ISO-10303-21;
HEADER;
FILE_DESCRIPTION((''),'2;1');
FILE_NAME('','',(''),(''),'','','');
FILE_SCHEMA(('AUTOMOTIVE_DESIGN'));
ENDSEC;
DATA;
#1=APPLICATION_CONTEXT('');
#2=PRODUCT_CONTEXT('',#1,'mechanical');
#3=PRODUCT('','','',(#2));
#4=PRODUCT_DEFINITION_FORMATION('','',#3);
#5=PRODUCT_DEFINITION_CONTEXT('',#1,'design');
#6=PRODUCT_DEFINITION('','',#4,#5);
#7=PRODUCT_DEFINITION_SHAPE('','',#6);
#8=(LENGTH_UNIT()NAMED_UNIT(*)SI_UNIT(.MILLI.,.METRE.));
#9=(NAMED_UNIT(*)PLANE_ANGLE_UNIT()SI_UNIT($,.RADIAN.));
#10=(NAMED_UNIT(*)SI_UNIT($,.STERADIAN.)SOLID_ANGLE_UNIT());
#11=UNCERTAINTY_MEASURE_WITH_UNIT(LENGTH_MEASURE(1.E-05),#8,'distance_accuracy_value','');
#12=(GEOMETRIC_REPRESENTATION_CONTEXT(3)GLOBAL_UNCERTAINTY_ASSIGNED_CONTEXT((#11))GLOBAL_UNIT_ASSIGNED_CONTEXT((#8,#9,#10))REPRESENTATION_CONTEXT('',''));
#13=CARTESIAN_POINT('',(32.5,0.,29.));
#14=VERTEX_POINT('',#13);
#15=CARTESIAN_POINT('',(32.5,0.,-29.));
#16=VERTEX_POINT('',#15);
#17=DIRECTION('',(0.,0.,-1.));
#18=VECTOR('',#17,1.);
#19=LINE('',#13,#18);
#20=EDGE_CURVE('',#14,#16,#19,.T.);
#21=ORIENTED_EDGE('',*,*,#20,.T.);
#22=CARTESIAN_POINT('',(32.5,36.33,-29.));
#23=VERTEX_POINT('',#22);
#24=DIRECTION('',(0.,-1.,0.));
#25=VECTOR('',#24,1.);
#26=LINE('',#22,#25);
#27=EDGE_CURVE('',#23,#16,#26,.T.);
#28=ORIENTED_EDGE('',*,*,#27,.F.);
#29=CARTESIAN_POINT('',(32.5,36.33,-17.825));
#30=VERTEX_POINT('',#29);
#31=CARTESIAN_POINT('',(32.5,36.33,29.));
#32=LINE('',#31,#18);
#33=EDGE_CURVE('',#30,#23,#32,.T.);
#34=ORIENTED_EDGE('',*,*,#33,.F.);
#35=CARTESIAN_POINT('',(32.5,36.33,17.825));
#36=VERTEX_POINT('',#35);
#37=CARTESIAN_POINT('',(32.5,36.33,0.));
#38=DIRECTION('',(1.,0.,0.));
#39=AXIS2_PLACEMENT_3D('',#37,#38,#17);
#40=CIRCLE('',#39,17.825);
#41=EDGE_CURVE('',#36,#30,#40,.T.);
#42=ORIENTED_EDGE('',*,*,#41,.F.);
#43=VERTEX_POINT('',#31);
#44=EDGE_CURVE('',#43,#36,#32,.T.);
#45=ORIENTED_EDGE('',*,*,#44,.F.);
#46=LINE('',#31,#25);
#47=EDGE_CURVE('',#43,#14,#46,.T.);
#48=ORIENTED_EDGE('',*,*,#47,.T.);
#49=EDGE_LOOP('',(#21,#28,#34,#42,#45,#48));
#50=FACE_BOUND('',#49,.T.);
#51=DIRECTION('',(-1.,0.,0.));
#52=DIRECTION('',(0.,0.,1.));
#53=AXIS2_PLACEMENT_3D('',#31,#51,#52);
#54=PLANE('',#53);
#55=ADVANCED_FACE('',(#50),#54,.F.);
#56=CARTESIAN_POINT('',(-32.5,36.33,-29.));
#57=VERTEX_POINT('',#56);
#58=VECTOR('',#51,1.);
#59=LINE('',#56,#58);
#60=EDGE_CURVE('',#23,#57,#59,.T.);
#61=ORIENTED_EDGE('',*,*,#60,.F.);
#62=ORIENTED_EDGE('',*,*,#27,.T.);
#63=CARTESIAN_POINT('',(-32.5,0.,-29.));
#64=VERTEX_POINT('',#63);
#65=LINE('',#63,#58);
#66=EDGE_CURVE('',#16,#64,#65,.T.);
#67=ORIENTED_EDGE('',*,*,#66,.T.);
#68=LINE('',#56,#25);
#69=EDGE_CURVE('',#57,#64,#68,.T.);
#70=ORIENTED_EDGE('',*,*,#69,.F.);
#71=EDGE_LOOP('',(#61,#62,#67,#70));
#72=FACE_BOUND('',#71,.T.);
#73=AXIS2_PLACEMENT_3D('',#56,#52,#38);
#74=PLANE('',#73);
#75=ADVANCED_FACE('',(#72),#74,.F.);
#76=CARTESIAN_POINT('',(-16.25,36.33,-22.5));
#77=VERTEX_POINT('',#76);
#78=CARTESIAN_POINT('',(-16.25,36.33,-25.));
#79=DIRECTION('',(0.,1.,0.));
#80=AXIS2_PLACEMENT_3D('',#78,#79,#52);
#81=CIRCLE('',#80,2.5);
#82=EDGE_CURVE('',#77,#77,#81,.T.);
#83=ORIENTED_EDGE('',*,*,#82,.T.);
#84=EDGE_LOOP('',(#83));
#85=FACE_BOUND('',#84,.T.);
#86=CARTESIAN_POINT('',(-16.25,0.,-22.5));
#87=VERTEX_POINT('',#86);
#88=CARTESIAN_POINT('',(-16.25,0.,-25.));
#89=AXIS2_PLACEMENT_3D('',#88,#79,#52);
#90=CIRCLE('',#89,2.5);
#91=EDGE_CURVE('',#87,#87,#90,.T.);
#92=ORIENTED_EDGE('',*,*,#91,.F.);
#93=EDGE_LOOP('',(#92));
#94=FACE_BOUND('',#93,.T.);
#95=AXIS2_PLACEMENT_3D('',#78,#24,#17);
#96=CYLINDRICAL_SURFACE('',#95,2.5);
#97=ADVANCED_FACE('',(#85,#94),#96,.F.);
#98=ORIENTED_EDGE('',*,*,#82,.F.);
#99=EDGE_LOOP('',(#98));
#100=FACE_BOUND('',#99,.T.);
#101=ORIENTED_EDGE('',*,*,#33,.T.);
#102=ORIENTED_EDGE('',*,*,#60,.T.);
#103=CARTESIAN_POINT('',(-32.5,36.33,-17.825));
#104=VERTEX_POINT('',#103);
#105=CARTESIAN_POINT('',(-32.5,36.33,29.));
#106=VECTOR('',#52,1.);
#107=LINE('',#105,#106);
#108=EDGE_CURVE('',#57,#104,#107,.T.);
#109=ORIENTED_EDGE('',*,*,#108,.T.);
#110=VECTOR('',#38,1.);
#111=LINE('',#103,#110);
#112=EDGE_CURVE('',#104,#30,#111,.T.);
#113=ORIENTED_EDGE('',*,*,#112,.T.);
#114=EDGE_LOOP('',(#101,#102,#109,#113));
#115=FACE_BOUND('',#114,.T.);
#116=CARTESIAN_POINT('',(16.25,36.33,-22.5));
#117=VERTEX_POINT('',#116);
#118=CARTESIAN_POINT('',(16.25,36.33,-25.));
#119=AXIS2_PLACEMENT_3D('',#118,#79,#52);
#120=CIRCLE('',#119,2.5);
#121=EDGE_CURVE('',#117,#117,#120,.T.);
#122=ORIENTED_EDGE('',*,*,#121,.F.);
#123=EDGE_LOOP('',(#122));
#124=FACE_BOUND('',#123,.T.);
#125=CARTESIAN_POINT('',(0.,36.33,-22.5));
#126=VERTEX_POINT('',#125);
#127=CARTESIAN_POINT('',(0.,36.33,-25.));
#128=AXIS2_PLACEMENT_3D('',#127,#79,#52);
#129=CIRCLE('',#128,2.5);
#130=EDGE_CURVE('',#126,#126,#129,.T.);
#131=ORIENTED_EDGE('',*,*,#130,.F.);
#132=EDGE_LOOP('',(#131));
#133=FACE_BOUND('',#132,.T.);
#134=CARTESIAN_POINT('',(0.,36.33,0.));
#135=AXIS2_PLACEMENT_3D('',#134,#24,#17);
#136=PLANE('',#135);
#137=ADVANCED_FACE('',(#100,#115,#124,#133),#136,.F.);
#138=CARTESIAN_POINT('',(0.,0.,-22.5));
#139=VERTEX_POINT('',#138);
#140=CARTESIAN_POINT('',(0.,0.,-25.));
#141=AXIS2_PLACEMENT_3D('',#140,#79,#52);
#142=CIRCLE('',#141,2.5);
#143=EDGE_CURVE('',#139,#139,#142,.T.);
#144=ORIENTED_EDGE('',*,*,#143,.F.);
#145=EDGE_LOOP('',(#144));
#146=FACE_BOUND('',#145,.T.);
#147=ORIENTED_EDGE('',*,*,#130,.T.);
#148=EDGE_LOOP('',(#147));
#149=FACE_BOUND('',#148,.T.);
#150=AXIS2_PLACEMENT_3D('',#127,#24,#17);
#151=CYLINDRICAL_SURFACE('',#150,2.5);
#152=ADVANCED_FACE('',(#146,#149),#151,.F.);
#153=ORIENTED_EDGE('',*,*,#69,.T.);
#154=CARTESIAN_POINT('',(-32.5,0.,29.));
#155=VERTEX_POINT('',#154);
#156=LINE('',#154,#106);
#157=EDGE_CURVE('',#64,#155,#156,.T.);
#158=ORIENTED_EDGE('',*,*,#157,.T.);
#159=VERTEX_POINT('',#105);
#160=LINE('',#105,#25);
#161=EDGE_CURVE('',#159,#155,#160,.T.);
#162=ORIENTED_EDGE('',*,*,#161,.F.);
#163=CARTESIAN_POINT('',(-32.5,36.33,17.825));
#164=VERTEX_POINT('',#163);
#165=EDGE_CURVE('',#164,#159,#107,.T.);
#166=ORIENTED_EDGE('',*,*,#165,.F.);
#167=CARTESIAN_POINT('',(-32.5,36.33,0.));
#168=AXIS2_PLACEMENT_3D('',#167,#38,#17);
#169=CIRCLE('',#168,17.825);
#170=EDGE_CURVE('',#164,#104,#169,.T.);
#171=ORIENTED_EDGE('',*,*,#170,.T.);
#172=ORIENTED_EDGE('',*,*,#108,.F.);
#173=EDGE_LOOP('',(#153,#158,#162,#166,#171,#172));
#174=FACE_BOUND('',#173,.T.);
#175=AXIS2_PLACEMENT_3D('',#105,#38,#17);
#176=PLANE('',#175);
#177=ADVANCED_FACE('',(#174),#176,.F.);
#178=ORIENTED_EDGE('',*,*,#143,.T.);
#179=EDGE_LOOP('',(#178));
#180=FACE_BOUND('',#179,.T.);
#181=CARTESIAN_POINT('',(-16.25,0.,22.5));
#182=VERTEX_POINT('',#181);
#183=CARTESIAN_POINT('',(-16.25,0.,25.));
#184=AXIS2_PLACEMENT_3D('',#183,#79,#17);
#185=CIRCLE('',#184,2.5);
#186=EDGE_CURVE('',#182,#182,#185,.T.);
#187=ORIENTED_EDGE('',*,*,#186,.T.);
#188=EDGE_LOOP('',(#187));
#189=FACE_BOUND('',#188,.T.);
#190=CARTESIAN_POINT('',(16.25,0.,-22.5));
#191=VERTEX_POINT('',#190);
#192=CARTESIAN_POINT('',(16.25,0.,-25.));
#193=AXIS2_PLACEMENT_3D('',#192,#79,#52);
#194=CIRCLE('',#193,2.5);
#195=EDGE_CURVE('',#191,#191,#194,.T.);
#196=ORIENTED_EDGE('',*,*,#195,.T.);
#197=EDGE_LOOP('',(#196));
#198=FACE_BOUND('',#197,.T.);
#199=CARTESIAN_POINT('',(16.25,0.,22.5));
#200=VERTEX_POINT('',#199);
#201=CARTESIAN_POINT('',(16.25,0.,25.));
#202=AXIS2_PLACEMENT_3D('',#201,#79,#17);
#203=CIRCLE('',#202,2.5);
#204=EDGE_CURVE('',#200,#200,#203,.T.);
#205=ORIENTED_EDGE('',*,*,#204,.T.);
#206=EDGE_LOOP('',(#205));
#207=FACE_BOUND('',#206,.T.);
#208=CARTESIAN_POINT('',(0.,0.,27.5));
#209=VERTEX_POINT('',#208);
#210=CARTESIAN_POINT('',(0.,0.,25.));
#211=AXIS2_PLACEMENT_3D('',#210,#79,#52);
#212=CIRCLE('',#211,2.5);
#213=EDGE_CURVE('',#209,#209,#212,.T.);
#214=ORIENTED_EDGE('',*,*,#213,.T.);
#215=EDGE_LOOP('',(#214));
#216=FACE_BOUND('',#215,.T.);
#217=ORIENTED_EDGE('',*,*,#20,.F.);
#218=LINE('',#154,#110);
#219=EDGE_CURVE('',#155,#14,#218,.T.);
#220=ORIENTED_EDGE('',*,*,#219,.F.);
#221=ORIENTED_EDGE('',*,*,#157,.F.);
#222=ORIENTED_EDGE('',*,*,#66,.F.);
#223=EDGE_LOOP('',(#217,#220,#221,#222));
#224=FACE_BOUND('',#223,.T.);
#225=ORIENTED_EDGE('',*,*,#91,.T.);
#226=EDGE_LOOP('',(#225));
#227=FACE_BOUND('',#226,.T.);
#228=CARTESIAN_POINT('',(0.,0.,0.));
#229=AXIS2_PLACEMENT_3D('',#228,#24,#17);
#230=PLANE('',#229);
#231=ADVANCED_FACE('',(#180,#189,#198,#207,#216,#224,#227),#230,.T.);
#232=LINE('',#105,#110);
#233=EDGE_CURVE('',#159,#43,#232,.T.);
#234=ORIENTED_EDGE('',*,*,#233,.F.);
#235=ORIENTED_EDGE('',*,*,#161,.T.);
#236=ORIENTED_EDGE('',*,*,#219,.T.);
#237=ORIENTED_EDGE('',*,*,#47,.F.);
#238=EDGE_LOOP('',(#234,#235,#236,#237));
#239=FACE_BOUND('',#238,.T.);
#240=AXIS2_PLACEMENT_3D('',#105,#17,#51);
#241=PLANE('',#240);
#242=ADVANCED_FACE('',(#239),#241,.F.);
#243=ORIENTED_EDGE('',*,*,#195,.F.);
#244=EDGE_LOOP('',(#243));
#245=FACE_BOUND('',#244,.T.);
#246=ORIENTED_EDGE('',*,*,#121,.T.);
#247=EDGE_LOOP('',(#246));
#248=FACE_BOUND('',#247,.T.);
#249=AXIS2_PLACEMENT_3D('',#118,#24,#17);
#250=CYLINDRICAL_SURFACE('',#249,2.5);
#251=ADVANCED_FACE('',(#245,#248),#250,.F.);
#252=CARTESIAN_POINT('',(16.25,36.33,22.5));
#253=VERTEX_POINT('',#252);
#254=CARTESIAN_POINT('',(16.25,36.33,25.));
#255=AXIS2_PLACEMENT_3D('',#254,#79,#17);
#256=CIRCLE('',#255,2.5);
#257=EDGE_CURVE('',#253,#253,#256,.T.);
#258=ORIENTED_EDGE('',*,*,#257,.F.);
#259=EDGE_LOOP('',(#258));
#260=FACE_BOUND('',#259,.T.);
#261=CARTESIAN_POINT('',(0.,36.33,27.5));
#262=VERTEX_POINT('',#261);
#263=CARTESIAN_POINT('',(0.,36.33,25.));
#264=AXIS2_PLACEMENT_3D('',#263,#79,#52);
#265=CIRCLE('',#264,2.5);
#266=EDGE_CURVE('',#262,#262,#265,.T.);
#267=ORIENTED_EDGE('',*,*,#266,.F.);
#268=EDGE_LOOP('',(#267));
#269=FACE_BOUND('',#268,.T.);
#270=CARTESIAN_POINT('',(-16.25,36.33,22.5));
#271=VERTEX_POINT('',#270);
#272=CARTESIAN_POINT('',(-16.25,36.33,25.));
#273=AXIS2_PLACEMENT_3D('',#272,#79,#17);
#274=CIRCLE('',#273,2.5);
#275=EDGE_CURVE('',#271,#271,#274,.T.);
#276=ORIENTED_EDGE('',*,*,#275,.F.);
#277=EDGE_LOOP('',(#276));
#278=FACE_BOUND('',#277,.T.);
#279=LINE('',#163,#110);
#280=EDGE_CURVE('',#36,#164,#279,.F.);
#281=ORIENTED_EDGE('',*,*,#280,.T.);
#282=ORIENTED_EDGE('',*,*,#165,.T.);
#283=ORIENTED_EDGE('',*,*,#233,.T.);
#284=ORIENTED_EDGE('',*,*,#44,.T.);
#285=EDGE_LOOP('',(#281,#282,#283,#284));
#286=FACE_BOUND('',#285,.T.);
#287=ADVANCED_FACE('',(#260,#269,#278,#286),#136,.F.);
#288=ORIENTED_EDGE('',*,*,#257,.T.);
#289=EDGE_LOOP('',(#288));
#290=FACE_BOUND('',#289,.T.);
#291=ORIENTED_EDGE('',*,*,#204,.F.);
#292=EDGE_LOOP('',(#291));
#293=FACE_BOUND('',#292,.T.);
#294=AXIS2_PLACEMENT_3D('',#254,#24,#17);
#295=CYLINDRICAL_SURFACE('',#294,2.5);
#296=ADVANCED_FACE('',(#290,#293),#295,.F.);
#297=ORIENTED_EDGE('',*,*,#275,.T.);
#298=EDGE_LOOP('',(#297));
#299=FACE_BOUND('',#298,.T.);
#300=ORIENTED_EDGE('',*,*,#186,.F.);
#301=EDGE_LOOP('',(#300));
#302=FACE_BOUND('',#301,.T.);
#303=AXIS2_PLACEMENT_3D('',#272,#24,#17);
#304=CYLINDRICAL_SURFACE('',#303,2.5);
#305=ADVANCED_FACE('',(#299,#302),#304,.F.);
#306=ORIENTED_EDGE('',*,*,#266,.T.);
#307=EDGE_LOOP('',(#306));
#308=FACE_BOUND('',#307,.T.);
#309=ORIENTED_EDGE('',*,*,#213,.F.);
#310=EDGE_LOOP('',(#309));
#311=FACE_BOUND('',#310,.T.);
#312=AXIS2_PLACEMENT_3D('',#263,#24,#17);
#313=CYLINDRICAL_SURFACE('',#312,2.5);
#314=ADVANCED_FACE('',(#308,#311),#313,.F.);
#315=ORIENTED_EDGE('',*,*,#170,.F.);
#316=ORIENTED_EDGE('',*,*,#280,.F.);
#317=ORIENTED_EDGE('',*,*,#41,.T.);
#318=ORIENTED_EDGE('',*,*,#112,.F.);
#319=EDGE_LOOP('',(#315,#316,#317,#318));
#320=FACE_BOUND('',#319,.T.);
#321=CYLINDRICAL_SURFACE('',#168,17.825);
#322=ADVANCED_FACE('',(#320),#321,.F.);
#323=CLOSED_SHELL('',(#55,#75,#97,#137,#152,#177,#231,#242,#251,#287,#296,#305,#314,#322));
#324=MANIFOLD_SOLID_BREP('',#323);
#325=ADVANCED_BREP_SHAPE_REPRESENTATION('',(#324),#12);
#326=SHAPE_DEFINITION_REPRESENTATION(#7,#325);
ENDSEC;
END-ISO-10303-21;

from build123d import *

# Parameters (mm, degrees)
SKETCH1_W           = 65
SKETCH1_H           = 58
SKETCH1_R           = 2.5
BOSS_EXTRUDE1_DEPTH = 36.33
SKETCH2_R           = 17.825
CUT_EXTRUDE1_DEPTH  = 80.911631819


with BuildPart() as part:
    # Sketch1 → Boss-Extrude1 (new body)
    with BuildSketch(Plane(origin=(0, 0, 0), x_dir=(1, 0, 0), z_dir=(0, 1, 0))):
        Rectangle(SKETCH1_W, SKETCH1_H)
        with Locations(Location((-16.25, 25, 0), (0, 0, 270))):
            Circle(SKETCH1_R, mode=Mode.SUBTRACT)
        with Locations(Location((16.25, 25, 0), (0, 0, 270))):
            Circle(SKETCH1_R, mode=Mode.SUBTRACT)
        with Locations(Location((16.25, -25, 0), (0, 0, 90))):
            Circle(SKETCH1_R, mode=Mode.SUBTRACT)
        with Locations(Location((-16.25, -25, 0), (0, 0, 90))):
            Circle(SKETCH1_R, mode=Mode.SUBTRACT)
        with Locations(Location((0, 25, 0), (0, 0, 270))):
            Circle(SKETCH1_R, mode=Mode.SUBTRACT)
        with Locations(Location((0, -25, 0), (0, 0, 270))):
            Circle(SKETCH1_R, mode=Mode.SUBTRACT)
    extrude(amount=BOSS_EXTRUDE1_DEPTH)

    # Sketch2 → Cut-Extrude1 (cut, through all)
    with BuildSketch(Plane(origin=(32.5, 0, 0), x_dir=(0, 0, -1), z_dir=(1, 0, 0))):
        with Locations((0, 36.33)):
            Circle(SKETCH2_R)
    extrude(amount=-CUT_EXTRUDE1_DEPTH, mode=Mode.SUBTRACT)


solid = part.part
